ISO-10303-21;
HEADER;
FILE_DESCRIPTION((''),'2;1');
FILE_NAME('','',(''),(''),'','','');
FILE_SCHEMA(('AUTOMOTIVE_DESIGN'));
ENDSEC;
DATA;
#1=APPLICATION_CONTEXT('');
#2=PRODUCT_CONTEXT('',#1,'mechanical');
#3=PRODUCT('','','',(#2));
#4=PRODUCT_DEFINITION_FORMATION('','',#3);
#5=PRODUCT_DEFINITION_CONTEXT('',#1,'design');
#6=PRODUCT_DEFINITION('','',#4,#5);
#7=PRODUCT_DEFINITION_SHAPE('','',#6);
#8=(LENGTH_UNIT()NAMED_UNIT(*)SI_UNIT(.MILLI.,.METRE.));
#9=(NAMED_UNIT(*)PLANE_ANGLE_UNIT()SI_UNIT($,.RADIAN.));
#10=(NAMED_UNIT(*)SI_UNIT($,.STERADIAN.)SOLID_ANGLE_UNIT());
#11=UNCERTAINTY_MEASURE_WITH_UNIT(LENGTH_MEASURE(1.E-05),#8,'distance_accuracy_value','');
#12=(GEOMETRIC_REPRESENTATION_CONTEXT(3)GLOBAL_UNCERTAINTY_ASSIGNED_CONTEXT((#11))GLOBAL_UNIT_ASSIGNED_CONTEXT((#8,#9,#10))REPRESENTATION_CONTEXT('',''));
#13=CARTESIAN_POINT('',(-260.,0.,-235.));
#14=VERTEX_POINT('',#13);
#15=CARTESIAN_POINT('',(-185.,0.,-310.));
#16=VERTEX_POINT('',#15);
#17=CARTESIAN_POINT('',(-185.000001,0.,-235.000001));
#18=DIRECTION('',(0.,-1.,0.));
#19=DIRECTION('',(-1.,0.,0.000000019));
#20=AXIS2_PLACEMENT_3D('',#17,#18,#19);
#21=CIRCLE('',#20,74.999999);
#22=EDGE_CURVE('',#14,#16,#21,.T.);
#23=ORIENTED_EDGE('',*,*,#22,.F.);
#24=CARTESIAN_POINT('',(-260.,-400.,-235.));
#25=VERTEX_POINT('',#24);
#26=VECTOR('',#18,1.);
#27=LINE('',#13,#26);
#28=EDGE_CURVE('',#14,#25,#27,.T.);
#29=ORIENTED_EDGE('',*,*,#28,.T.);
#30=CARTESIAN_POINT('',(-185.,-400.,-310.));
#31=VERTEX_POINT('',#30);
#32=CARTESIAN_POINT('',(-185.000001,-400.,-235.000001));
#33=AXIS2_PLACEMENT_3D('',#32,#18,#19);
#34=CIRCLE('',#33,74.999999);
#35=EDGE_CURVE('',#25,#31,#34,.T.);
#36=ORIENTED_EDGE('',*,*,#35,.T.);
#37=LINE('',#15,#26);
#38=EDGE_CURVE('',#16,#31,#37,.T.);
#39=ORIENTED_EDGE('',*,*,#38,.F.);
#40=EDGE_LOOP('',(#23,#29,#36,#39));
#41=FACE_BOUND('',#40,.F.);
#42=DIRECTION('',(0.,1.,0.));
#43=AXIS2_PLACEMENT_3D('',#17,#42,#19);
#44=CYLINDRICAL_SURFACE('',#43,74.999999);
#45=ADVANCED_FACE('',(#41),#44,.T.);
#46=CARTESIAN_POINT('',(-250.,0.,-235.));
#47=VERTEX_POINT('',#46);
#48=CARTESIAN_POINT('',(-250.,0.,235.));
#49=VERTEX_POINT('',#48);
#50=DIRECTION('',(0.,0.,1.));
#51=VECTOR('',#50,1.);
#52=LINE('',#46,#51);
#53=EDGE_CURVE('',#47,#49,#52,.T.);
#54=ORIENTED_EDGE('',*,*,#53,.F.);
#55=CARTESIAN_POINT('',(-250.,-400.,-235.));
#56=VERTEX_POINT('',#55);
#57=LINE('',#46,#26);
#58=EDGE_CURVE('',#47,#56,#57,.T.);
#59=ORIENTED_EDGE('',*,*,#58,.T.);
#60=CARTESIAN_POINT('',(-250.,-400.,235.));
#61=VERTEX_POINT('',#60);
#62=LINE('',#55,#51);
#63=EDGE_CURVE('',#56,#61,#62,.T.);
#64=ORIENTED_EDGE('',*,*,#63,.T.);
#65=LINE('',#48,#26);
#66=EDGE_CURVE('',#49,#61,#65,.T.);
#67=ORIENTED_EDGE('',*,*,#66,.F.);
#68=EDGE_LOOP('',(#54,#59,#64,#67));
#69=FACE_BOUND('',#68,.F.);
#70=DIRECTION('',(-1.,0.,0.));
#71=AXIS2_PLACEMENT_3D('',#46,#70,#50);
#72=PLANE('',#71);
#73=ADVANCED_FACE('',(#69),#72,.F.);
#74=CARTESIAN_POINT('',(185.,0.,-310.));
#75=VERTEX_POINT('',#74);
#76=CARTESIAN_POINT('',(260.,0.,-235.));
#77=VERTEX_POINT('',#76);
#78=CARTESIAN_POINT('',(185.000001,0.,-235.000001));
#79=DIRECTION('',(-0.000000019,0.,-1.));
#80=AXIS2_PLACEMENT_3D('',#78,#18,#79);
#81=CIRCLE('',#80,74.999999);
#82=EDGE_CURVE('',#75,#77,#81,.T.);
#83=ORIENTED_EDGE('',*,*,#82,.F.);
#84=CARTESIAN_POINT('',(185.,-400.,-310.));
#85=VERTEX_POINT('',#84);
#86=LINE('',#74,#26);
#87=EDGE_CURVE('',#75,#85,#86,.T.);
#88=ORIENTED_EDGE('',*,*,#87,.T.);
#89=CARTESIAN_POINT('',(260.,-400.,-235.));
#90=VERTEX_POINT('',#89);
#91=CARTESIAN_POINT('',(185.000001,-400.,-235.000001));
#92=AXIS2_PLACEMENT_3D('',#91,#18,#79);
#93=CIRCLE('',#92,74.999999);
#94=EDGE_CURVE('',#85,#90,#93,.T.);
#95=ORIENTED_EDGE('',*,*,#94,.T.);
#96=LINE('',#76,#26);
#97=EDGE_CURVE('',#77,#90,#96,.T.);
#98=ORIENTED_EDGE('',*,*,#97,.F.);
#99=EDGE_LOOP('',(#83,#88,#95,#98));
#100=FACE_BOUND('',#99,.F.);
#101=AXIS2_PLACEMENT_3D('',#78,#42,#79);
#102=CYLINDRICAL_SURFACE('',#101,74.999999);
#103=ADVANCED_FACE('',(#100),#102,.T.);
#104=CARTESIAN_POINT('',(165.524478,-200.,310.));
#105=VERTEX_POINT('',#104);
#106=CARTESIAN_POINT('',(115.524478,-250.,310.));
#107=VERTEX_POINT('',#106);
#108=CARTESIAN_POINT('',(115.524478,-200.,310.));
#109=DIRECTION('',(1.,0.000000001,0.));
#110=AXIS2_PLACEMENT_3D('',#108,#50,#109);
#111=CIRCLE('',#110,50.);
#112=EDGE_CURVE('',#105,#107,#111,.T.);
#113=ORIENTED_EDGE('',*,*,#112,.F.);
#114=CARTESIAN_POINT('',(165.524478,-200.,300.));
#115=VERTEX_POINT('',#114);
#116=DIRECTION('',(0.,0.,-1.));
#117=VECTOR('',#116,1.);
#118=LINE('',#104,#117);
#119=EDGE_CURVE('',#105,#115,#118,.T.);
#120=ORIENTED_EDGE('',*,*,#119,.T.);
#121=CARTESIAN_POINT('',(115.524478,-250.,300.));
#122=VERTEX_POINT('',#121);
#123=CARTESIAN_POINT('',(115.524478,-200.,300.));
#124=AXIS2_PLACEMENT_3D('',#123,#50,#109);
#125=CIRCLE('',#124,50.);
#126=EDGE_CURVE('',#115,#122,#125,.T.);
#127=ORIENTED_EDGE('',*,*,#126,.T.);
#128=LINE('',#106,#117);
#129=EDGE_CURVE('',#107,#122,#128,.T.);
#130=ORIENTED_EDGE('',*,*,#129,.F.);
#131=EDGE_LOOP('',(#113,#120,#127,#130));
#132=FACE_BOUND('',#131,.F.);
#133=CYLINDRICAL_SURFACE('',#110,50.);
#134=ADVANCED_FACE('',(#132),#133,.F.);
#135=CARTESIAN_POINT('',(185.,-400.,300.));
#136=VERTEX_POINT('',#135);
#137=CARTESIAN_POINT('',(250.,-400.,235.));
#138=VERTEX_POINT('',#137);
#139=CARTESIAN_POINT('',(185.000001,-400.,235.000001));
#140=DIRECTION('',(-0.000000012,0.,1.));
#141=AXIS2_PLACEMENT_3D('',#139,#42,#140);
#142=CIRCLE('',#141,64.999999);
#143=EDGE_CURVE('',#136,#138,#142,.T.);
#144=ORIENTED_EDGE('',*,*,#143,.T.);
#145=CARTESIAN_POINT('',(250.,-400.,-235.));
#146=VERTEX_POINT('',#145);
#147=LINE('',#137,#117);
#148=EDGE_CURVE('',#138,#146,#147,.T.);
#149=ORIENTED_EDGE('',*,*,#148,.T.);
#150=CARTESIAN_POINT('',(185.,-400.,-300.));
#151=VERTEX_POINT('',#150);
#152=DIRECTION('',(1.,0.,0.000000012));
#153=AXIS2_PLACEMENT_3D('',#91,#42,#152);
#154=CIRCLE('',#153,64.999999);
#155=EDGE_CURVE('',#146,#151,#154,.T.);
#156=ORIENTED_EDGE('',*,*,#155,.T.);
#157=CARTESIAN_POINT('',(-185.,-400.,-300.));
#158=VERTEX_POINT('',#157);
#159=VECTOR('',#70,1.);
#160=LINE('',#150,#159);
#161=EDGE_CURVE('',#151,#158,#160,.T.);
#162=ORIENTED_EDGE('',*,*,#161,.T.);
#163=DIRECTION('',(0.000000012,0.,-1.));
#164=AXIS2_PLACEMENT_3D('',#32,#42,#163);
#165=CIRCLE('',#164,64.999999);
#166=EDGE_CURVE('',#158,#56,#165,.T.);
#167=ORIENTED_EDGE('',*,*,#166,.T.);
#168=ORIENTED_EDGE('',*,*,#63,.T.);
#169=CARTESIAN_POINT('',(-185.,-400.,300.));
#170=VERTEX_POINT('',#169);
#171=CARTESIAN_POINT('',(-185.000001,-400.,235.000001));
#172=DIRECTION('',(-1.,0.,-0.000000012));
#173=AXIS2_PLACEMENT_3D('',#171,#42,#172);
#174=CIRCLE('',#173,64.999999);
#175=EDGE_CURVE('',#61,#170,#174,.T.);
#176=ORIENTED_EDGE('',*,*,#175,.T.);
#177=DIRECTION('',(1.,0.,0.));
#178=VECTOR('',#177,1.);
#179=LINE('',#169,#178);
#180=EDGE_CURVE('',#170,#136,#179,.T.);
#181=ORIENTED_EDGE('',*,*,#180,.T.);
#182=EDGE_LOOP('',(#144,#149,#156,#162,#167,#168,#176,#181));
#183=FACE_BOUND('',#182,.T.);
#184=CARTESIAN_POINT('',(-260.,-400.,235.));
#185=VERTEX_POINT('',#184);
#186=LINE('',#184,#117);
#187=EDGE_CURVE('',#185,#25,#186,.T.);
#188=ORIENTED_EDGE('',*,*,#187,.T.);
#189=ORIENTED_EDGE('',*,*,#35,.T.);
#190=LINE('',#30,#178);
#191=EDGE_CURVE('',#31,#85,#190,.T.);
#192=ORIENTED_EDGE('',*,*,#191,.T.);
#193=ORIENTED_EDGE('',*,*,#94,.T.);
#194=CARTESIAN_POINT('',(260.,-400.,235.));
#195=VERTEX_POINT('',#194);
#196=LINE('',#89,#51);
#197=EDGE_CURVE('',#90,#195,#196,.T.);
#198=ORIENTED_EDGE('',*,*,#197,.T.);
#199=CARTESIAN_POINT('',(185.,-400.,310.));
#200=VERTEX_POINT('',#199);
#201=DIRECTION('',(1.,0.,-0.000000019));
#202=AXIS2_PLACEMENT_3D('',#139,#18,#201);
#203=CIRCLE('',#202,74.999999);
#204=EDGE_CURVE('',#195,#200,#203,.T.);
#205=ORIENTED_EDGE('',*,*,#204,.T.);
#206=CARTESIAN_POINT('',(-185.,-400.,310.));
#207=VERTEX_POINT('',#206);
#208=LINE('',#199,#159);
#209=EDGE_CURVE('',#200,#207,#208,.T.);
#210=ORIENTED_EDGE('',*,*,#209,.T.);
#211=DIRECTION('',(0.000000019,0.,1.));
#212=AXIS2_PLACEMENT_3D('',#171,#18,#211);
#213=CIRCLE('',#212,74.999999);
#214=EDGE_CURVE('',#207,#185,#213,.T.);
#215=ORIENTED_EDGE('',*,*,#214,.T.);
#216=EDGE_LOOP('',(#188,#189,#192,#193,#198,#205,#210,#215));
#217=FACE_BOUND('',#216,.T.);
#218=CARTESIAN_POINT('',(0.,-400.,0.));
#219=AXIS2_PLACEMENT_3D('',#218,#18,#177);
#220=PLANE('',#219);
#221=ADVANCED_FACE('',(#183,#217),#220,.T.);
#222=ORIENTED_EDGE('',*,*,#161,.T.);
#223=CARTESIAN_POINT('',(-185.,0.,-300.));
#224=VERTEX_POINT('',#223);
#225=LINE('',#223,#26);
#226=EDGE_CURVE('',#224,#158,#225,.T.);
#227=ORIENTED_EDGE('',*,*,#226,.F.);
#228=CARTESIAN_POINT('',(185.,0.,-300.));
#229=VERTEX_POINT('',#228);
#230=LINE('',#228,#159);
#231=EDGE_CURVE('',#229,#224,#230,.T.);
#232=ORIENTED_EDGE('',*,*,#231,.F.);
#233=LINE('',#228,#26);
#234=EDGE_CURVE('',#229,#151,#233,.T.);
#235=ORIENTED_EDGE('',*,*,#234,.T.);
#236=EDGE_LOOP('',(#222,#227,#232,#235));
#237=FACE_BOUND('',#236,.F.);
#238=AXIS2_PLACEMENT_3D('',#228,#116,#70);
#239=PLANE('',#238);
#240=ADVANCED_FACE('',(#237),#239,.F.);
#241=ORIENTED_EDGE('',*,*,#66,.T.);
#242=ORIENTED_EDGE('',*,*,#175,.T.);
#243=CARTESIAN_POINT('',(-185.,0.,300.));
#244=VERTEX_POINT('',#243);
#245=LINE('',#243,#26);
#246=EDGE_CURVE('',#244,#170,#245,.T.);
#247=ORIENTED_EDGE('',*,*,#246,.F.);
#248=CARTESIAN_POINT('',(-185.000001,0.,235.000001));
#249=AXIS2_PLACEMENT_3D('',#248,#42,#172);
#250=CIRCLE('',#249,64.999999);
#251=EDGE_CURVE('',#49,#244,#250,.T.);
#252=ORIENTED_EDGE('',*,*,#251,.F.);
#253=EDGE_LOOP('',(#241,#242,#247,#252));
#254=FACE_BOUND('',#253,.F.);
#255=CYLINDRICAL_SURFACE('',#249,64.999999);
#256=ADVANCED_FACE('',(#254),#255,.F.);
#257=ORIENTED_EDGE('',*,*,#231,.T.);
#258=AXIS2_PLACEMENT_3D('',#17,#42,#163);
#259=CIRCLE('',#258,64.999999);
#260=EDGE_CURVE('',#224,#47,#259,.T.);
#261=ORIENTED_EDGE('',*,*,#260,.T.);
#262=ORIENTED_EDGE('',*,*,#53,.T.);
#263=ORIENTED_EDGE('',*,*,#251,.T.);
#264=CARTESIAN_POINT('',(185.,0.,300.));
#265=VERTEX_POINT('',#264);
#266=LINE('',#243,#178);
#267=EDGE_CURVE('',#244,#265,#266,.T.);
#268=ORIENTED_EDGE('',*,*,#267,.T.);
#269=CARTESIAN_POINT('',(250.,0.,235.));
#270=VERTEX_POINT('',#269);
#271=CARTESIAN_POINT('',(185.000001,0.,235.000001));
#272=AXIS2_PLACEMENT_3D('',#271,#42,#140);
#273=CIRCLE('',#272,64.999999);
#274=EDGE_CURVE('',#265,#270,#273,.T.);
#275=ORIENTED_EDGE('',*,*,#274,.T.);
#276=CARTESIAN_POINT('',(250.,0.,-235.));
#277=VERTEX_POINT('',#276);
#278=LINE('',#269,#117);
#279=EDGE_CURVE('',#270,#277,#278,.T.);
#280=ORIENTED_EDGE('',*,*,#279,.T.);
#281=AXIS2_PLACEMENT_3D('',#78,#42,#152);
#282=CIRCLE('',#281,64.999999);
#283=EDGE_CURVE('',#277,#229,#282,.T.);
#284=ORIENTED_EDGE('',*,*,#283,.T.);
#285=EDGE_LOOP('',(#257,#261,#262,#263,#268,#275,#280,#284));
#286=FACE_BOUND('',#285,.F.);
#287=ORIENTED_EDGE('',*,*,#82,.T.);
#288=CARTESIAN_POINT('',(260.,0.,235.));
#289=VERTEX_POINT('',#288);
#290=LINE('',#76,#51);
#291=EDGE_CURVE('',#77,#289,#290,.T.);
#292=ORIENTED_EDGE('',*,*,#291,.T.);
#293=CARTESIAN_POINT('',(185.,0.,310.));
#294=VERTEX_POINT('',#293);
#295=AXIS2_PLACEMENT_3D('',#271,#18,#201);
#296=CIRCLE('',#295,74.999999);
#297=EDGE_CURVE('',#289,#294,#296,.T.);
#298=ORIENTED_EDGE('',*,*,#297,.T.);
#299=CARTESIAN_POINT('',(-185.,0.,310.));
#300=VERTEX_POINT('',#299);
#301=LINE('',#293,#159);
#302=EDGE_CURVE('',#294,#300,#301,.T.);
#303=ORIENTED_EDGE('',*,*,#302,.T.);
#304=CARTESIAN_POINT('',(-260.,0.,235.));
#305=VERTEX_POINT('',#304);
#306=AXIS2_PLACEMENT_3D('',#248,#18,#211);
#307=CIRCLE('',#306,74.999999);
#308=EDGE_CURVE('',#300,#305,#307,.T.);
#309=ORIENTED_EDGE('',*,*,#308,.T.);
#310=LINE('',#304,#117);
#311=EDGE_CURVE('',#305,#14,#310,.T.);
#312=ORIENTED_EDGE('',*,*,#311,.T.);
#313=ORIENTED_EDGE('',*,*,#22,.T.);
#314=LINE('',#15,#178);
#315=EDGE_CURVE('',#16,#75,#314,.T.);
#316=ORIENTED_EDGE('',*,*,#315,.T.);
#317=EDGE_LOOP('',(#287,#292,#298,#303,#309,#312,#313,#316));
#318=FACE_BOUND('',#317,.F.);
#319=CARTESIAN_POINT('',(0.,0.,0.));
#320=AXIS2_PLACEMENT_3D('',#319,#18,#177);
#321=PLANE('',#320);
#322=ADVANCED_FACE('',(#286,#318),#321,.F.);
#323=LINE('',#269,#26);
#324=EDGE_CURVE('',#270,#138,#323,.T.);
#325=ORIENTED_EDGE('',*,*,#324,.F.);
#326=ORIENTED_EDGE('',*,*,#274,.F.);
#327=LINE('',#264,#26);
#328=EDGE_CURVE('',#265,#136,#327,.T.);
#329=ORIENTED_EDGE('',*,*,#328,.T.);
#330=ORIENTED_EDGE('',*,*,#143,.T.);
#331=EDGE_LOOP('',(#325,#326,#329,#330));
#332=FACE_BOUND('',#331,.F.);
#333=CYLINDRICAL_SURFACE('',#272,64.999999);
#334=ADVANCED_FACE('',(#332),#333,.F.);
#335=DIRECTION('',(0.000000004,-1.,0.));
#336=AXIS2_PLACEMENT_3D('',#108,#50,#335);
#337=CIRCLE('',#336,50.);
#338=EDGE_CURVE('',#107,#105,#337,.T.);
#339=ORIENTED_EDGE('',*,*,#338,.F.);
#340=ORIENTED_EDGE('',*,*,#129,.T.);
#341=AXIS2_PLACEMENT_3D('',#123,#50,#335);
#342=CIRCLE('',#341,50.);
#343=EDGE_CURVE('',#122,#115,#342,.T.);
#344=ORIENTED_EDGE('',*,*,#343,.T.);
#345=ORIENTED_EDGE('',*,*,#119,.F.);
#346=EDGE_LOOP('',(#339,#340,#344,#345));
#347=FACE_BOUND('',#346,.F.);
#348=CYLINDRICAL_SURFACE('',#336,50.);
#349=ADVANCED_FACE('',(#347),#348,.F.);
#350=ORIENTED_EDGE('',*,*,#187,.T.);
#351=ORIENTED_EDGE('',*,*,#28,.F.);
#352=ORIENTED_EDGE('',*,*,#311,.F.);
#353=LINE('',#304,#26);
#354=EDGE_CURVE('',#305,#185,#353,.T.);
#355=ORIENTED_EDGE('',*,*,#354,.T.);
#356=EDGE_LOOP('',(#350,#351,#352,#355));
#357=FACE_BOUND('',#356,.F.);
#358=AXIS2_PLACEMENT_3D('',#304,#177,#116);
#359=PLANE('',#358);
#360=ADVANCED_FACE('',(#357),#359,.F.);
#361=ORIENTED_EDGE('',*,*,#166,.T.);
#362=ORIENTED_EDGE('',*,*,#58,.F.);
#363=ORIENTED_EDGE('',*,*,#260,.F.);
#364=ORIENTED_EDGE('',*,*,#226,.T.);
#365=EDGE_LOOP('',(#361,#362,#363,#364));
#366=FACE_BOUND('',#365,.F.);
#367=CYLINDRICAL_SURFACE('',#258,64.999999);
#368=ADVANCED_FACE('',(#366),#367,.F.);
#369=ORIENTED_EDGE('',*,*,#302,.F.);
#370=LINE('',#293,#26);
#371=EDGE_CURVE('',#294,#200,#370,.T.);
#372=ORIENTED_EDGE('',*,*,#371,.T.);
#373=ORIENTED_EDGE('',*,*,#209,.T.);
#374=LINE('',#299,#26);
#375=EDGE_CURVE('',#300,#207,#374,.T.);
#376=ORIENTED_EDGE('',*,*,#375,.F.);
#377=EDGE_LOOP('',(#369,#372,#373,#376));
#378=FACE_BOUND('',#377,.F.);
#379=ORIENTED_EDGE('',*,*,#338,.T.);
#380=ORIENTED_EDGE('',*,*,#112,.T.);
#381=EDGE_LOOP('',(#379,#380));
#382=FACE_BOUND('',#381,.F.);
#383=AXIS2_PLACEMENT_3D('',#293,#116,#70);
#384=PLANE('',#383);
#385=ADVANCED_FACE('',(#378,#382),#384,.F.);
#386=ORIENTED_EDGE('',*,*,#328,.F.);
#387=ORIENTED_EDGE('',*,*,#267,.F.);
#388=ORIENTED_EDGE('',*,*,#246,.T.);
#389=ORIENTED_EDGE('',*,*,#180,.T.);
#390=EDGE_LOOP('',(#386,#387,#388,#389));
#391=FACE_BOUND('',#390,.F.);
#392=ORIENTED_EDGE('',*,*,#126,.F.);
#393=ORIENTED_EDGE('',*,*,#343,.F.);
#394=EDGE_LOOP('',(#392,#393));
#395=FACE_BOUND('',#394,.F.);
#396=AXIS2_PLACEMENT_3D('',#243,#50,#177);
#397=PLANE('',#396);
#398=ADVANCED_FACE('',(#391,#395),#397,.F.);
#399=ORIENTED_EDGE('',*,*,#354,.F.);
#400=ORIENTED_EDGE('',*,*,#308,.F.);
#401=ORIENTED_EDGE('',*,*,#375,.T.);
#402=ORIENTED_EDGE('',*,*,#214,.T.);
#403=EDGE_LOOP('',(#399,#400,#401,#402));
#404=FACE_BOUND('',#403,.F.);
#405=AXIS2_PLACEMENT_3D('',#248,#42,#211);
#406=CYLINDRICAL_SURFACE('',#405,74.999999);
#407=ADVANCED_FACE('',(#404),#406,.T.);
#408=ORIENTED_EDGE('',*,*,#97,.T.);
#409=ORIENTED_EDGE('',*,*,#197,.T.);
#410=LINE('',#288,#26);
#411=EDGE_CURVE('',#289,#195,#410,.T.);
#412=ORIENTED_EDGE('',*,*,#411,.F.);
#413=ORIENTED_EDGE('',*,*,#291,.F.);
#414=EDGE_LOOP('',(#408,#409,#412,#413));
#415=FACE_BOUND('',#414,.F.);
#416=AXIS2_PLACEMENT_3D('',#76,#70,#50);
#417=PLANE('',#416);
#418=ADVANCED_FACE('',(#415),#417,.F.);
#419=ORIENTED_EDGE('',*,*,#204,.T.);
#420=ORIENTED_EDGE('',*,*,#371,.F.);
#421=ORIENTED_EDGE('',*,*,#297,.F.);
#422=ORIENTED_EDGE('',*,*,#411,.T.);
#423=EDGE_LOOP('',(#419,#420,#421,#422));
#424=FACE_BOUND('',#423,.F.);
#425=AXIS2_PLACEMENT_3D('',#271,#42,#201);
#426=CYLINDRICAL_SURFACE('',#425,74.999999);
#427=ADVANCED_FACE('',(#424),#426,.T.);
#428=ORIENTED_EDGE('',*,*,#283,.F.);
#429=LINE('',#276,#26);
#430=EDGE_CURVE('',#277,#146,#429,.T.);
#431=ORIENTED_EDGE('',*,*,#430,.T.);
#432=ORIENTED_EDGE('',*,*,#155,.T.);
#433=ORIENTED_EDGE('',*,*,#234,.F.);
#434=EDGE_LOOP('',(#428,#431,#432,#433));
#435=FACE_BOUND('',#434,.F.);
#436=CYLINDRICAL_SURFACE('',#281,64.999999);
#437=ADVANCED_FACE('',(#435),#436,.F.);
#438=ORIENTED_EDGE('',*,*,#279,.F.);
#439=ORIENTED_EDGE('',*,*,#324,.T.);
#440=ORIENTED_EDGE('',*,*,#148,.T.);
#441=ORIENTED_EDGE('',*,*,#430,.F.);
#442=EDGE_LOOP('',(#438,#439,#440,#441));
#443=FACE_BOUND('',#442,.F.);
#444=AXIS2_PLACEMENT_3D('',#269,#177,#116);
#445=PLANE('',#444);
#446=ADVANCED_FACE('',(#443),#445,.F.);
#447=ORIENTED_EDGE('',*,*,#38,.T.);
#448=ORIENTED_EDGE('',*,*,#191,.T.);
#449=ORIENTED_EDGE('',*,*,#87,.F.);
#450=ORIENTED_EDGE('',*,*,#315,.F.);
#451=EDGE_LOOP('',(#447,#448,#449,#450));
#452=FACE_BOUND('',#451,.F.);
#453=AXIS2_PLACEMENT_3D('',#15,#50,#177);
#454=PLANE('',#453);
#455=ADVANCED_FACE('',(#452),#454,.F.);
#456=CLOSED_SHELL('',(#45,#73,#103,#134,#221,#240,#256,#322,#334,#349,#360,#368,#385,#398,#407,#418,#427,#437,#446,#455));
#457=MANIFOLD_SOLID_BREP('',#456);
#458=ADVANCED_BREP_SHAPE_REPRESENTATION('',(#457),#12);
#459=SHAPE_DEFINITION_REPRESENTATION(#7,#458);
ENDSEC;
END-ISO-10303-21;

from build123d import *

# Parameters (mm, degrees)
F1_DEPTH = 400
F3_DEPTH = 25


with BuildPart() as f1:
    # F0 (on Front) → F1 (new body)
    with BuildSketch(Plane.XZ):
        with BuildLine():
            Line((260, -235), (260, 235))
            ThreePointArc((260, 235), (238.033009, 288.033009), (185, 310))
            Line((185, 310), (-185, 310))
            ThreePointArc((-185, 310), (-238.033009, 288.033009), (-260, 235))
            Line((-260, 235), (-260, -235))
            ThreePointArc((-260, -235), (-238.033009, -288.033009), (-185, -310))
            Line((-185, -310), (185, -310))
            ThreePointArc((185, -310), (238.033009, -288.033009), (260, -235))
        make_face()
        with BuildLine():
            ThreePointArc((-250, 235), (-230.961941, 280.961941), (-185, 300))
            Line((-185, 300), (185, 300))
            ThreePointArc((185, 300), (230.961941, 280.961941), (250, 235))
            Line((250, 235), (250, -235))
            ThreePointArc((250, -235), (230.961941, -280.961941), (185, -300))
            Line((185, -300), (-185, -300))
            ThreePointArc((-185, -300), (-230.961941, -280.961941), (-250, -235))
            Line((-250, -235), (-250, 235))
        make_face(mode=Mode.SUBTRACT)
    extrude(amount=F1_DEPTH)

    # F2 (on face) → F3 (cut)
    with BuildSketch(Plane.XY.offset(310)):
        with BuildLine():
            ThreePointArc((165.524478, -200), (80.169139, -164.644661), (115.524478, -250))
            ThreePointArc((115.524478, -250), (150.879817, -235.355339), (165.524478, -200))
        make_face()
    extrude(amount=-F3_DEPTH, mode=Mode.SUBTRACT)


solid = f1.part
